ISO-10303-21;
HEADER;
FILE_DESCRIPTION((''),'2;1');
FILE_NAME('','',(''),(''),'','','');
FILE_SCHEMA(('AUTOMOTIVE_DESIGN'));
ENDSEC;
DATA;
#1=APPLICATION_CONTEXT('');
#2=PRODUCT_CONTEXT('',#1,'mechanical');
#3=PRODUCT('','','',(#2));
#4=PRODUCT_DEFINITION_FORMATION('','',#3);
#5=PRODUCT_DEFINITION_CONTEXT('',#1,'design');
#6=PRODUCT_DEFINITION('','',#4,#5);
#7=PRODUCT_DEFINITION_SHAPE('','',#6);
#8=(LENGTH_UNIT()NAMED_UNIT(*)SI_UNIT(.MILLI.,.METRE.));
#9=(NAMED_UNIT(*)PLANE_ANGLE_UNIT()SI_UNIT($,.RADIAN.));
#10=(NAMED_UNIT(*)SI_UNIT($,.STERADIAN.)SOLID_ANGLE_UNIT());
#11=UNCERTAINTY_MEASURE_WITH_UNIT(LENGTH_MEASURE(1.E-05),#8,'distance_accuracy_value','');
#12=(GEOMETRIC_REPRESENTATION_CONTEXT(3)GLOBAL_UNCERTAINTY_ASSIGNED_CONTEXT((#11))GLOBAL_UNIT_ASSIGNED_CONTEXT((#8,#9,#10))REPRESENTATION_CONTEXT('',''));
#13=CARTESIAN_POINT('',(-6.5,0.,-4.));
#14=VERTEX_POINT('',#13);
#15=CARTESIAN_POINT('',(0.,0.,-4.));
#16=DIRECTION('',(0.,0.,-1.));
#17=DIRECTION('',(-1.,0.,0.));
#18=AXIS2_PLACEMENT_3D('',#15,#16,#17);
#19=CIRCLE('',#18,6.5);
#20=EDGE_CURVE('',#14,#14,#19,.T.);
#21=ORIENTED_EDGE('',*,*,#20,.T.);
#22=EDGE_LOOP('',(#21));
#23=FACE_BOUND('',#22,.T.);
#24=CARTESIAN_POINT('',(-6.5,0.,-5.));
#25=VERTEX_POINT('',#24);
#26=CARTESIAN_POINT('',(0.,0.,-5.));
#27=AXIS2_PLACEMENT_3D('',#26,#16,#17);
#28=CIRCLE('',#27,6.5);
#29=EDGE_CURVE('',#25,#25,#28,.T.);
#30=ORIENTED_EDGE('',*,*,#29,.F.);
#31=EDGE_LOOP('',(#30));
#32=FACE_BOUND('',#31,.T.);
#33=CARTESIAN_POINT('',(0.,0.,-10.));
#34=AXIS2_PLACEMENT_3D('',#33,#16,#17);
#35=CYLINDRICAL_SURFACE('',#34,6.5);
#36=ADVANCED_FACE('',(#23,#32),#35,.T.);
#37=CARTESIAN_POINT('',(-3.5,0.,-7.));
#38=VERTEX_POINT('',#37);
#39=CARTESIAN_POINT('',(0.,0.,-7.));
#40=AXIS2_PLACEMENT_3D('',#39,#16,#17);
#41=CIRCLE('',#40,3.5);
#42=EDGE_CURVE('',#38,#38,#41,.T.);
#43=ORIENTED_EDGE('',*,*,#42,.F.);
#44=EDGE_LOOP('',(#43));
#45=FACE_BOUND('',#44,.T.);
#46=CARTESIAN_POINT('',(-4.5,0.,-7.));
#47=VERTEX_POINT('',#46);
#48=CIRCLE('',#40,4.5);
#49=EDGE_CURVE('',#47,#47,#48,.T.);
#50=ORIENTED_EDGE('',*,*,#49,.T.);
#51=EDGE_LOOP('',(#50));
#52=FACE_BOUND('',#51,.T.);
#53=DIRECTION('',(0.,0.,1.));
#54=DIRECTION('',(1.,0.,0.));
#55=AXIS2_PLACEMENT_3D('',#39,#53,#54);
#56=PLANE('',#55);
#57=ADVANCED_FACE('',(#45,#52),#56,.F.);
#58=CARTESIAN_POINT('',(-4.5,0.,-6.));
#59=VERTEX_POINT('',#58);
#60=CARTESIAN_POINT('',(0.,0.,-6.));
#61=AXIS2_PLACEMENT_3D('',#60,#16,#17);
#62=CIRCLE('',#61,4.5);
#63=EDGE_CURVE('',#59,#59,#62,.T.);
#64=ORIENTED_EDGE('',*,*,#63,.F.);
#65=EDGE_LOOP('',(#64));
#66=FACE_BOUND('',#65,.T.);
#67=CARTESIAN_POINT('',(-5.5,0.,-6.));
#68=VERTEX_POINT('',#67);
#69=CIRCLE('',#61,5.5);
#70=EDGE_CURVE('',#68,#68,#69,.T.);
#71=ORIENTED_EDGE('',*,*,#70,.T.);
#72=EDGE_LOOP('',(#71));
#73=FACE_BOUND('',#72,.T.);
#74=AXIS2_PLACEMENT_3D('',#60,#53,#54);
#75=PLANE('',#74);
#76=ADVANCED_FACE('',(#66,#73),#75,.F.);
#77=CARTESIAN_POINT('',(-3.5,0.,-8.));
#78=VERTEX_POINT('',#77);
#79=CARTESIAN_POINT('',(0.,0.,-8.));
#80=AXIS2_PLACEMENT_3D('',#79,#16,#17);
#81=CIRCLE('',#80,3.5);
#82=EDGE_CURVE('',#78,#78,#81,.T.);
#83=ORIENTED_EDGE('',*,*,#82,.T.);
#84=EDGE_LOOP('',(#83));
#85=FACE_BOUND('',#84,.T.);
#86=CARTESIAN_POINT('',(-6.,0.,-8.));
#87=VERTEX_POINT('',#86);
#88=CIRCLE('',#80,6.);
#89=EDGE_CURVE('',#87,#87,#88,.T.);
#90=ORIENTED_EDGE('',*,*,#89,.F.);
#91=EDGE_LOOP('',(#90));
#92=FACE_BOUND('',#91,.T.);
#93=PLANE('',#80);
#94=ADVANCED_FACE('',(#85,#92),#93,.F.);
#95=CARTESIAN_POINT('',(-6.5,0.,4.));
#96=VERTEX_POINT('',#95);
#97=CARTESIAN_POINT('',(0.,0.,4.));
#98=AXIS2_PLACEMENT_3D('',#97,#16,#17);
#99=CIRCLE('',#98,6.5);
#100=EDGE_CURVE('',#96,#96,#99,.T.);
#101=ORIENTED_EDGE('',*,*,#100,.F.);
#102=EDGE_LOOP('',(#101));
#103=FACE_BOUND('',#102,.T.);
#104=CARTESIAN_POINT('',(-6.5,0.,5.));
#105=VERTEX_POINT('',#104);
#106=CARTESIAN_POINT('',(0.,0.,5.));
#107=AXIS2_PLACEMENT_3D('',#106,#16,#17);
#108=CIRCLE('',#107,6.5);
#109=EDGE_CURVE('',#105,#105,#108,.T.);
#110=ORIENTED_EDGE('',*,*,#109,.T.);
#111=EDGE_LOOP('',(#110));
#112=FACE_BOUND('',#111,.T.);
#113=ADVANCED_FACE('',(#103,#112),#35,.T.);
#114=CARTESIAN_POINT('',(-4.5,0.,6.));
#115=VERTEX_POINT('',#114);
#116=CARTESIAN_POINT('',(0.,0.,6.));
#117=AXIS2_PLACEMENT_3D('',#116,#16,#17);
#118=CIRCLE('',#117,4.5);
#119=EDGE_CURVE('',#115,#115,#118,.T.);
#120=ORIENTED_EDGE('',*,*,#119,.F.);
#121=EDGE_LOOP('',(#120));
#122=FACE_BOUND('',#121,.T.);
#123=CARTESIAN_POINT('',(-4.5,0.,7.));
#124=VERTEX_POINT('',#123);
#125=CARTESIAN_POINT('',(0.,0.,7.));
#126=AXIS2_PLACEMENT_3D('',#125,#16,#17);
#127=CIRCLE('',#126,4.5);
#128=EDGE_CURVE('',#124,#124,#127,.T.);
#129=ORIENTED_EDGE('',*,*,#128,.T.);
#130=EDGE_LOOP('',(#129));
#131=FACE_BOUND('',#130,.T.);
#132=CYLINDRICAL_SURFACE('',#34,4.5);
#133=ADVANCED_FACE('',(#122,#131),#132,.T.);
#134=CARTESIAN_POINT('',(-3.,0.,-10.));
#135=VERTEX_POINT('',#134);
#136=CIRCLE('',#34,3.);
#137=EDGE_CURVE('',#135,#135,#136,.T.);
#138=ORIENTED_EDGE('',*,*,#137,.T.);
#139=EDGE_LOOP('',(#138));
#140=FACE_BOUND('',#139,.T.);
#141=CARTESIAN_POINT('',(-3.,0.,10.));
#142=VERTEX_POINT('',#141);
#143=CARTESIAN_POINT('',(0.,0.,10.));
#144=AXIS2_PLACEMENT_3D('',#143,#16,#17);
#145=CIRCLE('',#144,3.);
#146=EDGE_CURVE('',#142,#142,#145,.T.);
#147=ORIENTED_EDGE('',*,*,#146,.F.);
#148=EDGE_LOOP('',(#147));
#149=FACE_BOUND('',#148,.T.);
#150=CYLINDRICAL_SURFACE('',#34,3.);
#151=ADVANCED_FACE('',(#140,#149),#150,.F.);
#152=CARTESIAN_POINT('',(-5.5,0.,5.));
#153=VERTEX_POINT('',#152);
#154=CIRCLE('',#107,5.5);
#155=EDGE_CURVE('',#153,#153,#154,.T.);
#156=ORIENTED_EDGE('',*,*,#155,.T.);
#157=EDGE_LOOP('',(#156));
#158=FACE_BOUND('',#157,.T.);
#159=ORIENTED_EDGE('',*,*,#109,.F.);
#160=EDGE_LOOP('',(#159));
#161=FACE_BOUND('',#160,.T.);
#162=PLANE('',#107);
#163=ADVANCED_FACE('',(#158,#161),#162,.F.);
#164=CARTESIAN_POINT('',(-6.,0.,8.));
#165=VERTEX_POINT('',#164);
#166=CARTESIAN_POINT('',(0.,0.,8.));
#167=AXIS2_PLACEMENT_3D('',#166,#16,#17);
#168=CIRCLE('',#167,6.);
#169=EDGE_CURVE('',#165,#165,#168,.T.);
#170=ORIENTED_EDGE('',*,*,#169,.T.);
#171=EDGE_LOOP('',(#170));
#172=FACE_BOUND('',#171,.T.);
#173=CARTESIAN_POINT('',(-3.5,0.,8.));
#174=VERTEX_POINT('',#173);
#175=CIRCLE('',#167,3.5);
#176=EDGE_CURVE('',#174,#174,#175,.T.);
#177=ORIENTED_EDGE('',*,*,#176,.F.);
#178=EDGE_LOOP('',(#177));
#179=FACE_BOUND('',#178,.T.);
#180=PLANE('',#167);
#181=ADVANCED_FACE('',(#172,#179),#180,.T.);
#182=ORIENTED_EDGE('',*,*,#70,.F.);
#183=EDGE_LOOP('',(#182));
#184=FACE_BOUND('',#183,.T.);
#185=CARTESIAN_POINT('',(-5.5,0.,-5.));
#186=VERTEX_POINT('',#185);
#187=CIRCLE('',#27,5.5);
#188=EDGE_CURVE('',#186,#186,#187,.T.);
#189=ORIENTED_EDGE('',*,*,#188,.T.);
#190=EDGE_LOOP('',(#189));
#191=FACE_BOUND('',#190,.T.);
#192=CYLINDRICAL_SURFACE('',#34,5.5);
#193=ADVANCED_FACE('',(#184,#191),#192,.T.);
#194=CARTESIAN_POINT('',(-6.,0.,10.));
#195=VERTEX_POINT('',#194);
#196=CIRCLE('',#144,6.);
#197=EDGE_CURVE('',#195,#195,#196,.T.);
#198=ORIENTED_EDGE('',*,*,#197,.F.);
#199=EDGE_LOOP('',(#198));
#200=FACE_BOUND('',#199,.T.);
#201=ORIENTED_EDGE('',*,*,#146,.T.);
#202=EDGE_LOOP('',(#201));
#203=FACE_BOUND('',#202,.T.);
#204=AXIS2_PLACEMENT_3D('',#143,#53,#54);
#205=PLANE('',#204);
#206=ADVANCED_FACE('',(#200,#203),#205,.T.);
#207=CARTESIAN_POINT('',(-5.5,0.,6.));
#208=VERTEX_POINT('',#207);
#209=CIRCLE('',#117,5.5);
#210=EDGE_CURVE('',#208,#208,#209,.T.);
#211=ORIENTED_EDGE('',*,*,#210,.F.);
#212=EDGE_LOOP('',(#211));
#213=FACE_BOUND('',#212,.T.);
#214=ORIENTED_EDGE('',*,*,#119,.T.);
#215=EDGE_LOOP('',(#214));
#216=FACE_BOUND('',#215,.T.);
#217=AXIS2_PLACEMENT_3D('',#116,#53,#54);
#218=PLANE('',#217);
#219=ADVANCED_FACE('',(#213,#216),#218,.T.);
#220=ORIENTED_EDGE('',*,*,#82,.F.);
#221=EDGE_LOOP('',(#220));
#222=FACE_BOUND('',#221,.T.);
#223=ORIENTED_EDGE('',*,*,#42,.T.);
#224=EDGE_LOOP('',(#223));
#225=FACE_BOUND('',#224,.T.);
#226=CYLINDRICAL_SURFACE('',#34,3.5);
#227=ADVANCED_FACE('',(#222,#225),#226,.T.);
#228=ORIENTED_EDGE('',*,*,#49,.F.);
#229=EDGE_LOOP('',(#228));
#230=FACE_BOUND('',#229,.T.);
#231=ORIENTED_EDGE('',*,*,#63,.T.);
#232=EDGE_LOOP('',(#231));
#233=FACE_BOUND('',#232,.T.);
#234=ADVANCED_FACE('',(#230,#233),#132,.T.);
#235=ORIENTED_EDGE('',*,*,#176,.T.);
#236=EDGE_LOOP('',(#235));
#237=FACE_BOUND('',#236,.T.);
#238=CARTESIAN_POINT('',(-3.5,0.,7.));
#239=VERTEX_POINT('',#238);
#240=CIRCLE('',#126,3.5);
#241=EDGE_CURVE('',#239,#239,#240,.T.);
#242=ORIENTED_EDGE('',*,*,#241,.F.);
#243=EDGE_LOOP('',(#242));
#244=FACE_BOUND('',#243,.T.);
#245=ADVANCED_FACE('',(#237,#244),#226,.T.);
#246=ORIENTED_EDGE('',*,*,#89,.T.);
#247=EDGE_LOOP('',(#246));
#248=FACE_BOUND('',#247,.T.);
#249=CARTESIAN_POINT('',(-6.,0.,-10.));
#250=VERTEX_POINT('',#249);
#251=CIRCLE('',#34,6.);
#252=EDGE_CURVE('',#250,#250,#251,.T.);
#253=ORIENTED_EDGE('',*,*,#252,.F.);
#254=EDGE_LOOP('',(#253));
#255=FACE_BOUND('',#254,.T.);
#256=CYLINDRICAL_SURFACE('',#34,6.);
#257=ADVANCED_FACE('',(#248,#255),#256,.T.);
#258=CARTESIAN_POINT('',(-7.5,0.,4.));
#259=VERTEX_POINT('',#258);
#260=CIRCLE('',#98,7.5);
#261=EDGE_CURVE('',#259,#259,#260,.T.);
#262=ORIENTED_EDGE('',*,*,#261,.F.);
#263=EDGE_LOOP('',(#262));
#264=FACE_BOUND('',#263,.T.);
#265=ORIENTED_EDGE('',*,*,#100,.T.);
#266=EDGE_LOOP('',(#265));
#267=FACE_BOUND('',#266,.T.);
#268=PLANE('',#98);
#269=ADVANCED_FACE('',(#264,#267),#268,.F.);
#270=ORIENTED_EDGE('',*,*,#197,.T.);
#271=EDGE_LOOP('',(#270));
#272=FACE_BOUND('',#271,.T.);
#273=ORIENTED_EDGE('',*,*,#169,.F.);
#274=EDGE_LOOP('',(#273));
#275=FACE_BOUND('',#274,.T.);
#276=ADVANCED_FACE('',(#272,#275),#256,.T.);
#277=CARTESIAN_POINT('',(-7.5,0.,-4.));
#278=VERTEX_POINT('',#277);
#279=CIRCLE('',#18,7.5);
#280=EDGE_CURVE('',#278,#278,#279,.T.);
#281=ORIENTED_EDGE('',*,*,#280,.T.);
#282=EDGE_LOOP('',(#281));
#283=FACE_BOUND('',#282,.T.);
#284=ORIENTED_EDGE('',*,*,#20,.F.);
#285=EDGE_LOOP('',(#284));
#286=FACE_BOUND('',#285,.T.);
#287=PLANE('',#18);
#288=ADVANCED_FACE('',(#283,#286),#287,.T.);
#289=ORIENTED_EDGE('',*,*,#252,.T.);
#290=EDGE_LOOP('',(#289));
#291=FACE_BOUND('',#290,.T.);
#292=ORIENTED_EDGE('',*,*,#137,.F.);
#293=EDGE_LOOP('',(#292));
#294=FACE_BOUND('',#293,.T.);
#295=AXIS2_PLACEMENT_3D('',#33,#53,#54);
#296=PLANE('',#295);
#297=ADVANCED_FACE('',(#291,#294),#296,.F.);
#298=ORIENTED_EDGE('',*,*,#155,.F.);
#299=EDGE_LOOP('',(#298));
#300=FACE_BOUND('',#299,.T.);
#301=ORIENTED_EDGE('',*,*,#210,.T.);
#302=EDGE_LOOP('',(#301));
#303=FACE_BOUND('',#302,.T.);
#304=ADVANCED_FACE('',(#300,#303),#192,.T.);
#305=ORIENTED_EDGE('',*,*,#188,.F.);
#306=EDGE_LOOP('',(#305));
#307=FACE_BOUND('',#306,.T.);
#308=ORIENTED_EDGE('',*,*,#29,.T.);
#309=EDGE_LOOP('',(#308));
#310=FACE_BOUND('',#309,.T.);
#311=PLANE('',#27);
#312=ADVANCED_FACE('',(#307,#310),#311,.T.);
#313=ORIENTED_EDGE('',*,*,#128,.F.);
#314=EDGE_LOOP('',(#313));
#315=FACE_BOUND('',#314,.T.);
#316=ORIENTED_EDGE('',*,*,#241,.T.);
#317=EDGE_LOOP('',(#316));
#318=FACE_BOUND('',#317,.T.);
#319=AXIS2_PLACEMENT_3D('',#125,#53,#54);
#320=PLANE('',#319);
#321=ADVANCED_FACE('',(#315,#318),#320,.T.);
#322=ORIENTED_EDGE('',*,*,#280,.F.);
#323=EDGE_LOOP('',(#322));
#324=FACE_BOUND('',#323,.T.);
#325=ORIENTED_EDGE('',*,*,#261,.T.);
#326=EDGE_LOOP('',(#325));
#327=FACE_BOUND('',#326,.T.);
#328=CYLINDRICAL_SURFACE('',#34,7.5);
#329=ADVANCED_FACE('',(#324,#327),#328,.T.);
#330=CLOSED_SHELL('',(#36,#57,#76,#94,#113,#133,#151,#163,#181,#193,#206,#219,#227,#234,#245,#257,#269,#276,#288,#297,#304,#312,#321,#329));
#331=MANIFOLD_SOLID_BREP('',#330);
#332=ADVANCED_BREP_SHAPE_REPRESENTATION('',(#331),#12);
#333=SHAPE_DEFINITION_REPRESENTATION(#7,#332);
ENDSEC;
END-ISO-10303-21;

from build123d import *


with BuildPart() as part:
    # Эскиз1 → Повернуть1 (revolve)
    with BuildSketch(Plane(origin=(0, 0, 0), x_dir=(1, 0, 0), z_dir=(0, 1, 0)), mode=Mode.PRIVATE) as revolve_1_sk:
        Polygon((5.5, 5), (5.5, 6), (4.5, 6), (4.5, 7), (3.5, 7), (3.5, 8), (6, 8), (6, 10), (3, 10), (3, -10), (6, -10), (6, -8), (3.5, -8), (3.5, -7), (4.5, -7), (4.5, -6), (5.5, -6), (5.5, -5), (6.5, -5), (6.5, -4), (7.5, -4), (7.5, 4), (6.5, 4), (6.5, 5), align=None)
    revolve(revolve_1_sk.sketch.rotate(Axis((0, 0, -10), (0, 0, 1)), 180), axis=Axis((0, 0, -10), (0, 0, 1)))


solid = part.part
